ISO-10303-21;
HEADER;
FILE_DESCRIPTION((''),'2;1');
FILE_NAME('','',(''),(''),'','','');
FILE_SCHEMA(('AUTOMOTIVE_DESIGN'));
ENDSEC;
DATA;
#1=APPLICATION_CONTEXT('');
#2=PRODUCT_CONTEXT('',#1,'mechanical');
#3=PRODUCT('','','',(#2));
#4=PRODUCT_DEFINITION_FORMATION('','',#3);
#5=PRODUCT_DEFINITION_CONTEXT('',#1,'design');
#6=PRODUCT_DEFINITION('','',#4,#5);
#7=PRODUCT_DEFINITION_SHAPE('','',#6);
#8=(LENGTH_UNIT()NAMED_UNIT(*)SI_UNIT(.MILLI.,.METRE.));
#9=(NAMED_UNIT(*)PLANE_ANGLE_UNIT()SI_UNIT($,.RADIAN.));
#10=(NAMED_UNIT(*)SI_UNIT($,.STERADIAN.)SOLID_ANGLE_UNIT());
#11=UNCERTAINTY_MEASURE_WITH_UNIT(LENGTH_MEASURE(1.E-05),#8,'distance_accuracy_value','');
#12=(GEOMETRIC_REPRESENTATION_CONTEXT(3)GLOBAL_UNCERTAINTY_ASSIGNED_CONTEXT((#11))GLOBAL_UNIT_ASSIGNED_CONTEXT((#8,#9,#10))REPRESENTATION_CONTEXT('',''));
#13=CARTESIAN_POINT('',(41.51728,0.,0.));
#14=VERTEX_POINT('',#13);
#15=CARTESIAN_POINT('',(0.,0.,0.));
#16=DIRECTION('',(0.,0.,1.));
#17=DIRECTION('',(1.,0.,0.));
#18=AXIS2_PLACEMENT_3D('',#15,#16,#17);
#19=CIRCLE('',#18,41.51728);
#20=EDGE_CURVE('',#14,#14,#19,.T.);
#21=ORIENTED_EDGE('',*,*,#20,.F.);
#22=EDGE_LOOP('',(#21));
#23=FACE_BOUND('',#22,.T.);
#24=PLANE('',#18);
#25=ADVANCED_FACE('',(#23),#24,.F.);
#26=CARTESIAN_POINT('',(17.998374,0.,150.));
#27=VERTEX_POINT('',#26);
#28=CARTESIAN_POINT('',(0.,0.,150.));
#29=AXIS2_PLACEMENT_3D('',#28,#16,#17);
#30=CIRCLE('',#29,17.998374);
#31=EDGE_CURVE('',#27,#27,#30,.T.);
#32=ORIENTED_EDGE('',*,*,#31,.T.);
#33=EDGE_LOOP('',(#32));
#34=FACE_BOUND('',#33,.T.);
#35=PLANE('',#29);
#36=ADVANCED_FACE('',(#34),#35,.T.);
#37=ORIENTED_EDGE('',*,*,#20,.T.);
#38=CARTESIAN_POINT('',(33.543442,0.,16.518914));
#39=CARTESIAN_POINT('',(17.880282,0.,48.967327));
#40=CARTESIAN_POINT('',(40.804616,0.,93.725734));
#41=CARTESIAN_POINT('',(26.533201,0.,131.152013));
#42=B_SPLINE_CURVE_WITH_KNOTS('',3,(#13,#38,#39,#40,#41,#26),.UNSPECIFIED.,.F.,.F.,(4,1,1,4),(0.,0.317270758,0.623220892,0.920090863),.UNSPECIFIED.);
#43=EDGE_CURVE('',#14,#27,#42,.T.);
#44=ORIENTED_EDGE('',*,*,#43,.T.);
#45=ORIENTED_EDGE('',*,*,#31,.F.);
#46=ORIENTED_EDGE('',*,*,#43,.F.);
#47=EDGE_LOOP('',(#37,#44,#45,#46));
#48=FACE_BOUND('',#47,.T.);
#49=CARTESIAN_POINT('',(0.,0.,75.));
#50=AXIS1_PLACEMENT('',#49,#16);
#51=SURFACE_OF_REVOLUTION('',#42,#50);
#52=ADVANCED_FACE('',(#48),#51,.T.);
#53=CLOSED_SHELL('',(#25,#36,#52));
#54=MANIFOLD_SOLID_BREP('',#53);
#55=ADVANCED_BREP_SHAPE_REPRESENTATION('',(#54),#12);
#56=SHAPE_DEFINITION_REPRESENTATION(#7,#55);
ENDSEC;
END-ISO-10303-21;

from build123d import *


with BuildPart() as f1:
    # F0 (on Front) → F1 (revolve)
    with BuildSketch(Plane.XZ):
        with BuildLine():
            Line((0, 150), (0, 0))
            Line((0, 0), (41.5172800422, 0))
            add(Edge.make_bspline(
                [(41.5172800422, 0), (33.5434419557, 16.5189142859), (17.8802824605, 48.9673270005), (40.8046160093, 93.7257338523), (26.5332007774, 131.1520134588), (17.9983742007, 150)],
                knots=[0, 0, 0, 0, 0.317270758, 0.6232208922, 0.9200908633, 0.9200908633, 0.9200908633, 0.9200908633], degree=3))
            Line((17.9983742007, 150), (0, 150))
        make_face()
    revolve(axis=Axis((0, 0, 75), (0, 0, 1)))


solid = f1.part
